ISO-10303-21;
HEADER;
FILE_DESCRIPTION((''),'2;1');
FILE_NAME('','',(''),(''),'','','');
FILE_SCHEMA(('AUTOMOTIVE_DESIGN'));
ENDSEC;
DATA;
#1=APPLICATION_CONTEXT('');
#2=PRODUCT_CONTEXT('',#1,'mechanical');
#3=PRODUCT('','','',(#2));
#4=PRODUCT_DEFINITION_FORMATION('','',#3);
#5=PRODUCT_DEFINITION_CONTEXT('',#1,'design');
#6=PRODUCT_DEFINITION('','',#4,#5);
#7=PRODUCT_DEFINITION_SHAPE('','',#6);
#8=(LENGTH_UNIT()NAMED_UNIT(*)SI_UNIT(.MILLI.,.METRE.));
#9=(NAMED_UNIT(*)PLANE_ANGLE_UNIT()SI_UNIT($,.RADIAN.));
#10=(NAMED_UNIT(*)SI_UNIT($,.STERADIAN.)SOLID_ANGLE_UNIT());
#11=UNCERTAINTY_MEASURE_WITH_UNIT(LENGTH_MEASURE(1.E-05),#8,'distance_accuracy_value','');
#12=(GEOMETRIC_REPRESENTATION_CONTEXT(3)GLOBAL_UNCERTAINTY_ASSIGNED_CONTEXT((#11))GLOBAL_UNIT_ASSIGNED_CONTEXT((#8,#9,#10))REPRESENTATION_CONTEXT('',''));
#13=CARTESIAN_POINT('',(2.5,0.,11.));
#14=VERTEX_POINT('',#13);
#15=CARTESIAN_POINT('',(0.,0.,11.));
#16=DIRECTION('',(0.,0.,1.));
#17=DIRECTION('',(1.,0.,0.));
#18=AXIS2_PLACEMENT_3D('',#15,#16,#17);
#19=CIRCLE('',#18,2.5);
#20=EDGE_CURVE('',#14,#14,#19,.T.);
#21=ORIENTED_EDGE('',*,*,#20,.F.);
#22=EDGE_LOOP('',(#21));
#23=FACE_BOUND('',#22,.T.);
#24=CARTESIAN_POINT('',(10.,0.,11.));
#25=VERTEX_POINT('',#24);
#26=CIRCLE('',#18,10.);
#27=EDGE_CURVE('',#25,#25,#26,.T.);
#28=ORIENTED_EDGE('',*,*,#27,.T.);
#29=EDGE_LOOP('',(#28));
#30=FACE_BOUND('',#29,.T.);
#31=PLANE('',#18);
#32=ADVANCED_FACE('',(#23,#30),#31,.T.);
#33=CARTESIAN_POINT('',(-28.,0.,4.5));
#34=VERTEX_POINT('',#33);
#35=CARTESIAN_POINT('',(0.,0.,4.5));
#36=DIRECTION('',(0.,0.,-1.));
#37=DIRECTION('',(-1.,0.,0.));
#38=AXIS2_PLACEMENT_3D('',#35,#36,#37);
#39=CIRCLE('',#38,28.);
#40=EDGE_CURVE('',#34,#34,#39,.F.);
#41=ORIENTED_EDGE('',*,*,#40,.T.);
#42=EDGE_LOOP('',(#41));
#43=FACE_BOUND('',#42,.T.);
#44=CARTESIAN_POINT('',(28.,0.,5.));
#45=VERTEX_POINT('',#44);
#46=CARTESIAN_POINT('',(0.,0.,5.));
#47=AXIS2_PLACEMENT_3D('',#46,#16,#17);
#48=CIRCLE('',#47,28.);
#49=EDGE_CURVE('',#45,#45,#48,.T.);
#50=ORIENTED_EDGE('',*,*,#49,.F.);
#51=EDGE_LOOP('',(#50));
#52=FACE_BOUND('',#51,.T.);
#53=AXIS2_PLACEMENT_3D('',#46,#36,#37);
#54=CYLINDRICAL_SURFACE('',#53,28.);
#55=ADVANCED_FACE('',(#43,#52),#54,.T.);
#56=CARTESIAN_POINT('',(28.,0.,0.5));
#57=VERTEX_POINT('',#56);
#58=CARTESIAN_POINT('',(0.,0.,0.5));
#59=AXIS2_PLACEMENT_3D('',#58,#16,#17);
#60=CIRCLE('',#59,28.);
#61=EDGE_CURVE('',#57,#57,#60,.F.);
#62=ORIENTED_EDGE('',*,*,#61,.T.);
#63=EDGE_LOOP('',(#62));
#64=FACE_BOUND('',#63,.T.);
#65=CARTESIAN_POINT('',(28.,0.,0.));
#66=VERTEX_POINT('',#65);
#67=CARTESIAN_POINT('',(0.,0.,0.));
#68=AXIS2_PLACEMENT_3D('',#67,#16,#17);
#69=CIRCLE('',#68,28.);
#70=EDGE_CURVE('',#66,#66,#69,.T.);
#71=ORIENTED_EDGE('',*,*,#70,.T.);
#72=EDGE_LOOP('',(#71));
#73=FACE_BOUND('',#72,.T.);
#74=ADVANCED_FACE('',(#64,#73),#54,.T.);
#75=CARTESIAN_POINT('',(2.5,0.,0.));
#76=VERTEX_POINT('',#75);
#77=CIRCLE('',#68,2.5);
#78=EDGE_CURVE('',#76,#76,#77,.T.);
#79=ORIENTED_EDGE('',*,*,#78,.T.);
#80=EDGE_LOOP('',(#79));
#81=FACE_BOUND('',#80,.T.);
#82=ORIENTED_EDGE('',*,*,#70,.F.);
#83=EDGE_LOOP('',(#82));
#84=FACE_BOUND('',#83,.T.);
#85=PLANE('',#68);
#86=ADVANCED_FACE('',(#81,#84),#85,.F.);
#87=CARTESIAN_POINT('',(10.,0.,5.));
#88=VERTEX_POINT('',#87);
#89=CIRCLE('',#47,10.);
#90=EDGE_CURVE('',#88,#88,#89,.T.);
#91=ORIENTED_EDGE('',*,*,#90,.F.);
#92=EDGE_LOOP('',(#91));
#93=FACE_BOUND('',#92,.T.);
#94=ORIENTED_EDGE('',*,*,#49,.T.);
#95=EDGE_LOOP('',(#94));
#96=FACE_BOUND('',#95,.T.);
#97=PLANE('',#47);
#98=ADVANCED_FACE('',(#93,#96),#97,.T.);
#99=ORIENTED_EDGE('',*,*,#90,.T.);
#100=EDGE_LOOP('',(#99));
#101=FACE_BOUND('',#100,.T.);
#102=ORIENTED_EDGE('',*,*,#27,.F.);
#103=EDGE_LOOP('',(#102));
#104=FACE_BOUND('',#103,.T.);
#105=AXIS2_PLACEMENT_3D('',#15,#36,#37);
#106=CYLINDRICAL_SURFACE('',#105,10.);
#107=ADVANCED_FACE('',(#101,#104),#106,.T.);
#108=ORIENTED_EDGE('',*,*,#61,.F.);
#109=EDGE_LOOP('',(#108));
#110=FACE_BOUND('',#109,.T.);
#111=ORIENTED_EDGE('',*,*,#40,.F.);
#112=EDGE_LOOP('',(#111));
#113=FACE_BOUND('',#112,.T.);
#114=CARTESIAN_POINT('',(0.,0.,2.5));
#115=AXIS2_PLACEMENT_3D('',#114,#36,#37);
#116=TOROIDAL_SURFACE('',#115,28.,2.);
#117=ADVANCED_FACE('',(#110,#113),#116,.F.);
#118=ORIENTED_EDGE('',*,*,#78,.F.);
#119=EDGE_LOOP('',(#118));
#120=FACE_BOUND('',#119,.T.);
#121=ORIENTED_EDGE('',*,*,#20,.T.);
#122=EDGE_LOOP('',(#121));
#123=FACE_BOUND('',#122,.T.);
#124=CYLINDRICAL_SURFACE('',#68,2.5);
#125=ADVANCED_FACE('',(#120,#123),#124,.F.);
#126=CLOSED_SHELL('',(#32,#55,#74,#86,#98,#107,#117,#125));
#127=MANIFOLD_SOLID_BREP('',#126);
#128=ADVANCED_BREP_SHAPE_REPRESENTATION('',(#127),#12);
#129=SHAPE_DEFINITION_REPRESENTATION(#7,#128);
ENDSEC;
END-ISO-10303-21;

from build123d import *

# Parameters (mm, degrees)
ESQUISSE1_R             = 28
BOSS_EXTRU_1_DEPTH      = 5
ESQUISSE2_R             = 10
BOSS_EXTRU_2_DEPTH      = 6
ESQUISSE3_R             = 2.5
ENL_V_MAT_EXTRU_1_DEPTH = 42.097445176
ESQUISSE4_R             = 2


with BuildPart() as part:
    # Esquisse1 → Boss.-Extru.1 (new body)
    with BuildSketch(Plane.XY):
        Circle(ESQUISSE1_R)
    extrude(amount=BOSS_EXTRU_1_DEPTH)

    # Esquisse2 → Boss.-Extru.2 (add)
    with BuildSketch(Plane.XY.offset(5)):
        Circle(ESQUISSE2_R)
    extrude(amount=BOSS_EXTRU_2_DEPTH)

    # Esquisse3 → Enlèv. mat.-Extru.1 (cut, through all)
    with BuildSketch(Plane.XY.offset(11)):
        Circle(ESQUISSE3_R)
    extrude(amount=-ENL_V_MAT_EXTRU_1_DEPTH, mode=Mode.SUBTRACT)

    # Esquisse4 → Enlèvement de matière-Révolution1 (revolve, cut)
    with BuildSketch(Plane(origin=(0, 0, 0), x_dir=(0, 0, -1), z_dir=(1, 0, 0)), mode=Mode.PRIVATE) as enl_vement_de_mati_re_r_volution1_sk:
        with Locations((-2.5, 28)):
            Circle(ESQUISSE4_R)
    revolve(enl_vement_de_mati_re_r_volution1_sk.sketch.rotate(Axis((0, 0, 0), (0, 0, 1)), 90), axis=Axis((0, 0, 0), (0, 0, 1)), mode=Mode.SUBTRACT)


solid = part.part
